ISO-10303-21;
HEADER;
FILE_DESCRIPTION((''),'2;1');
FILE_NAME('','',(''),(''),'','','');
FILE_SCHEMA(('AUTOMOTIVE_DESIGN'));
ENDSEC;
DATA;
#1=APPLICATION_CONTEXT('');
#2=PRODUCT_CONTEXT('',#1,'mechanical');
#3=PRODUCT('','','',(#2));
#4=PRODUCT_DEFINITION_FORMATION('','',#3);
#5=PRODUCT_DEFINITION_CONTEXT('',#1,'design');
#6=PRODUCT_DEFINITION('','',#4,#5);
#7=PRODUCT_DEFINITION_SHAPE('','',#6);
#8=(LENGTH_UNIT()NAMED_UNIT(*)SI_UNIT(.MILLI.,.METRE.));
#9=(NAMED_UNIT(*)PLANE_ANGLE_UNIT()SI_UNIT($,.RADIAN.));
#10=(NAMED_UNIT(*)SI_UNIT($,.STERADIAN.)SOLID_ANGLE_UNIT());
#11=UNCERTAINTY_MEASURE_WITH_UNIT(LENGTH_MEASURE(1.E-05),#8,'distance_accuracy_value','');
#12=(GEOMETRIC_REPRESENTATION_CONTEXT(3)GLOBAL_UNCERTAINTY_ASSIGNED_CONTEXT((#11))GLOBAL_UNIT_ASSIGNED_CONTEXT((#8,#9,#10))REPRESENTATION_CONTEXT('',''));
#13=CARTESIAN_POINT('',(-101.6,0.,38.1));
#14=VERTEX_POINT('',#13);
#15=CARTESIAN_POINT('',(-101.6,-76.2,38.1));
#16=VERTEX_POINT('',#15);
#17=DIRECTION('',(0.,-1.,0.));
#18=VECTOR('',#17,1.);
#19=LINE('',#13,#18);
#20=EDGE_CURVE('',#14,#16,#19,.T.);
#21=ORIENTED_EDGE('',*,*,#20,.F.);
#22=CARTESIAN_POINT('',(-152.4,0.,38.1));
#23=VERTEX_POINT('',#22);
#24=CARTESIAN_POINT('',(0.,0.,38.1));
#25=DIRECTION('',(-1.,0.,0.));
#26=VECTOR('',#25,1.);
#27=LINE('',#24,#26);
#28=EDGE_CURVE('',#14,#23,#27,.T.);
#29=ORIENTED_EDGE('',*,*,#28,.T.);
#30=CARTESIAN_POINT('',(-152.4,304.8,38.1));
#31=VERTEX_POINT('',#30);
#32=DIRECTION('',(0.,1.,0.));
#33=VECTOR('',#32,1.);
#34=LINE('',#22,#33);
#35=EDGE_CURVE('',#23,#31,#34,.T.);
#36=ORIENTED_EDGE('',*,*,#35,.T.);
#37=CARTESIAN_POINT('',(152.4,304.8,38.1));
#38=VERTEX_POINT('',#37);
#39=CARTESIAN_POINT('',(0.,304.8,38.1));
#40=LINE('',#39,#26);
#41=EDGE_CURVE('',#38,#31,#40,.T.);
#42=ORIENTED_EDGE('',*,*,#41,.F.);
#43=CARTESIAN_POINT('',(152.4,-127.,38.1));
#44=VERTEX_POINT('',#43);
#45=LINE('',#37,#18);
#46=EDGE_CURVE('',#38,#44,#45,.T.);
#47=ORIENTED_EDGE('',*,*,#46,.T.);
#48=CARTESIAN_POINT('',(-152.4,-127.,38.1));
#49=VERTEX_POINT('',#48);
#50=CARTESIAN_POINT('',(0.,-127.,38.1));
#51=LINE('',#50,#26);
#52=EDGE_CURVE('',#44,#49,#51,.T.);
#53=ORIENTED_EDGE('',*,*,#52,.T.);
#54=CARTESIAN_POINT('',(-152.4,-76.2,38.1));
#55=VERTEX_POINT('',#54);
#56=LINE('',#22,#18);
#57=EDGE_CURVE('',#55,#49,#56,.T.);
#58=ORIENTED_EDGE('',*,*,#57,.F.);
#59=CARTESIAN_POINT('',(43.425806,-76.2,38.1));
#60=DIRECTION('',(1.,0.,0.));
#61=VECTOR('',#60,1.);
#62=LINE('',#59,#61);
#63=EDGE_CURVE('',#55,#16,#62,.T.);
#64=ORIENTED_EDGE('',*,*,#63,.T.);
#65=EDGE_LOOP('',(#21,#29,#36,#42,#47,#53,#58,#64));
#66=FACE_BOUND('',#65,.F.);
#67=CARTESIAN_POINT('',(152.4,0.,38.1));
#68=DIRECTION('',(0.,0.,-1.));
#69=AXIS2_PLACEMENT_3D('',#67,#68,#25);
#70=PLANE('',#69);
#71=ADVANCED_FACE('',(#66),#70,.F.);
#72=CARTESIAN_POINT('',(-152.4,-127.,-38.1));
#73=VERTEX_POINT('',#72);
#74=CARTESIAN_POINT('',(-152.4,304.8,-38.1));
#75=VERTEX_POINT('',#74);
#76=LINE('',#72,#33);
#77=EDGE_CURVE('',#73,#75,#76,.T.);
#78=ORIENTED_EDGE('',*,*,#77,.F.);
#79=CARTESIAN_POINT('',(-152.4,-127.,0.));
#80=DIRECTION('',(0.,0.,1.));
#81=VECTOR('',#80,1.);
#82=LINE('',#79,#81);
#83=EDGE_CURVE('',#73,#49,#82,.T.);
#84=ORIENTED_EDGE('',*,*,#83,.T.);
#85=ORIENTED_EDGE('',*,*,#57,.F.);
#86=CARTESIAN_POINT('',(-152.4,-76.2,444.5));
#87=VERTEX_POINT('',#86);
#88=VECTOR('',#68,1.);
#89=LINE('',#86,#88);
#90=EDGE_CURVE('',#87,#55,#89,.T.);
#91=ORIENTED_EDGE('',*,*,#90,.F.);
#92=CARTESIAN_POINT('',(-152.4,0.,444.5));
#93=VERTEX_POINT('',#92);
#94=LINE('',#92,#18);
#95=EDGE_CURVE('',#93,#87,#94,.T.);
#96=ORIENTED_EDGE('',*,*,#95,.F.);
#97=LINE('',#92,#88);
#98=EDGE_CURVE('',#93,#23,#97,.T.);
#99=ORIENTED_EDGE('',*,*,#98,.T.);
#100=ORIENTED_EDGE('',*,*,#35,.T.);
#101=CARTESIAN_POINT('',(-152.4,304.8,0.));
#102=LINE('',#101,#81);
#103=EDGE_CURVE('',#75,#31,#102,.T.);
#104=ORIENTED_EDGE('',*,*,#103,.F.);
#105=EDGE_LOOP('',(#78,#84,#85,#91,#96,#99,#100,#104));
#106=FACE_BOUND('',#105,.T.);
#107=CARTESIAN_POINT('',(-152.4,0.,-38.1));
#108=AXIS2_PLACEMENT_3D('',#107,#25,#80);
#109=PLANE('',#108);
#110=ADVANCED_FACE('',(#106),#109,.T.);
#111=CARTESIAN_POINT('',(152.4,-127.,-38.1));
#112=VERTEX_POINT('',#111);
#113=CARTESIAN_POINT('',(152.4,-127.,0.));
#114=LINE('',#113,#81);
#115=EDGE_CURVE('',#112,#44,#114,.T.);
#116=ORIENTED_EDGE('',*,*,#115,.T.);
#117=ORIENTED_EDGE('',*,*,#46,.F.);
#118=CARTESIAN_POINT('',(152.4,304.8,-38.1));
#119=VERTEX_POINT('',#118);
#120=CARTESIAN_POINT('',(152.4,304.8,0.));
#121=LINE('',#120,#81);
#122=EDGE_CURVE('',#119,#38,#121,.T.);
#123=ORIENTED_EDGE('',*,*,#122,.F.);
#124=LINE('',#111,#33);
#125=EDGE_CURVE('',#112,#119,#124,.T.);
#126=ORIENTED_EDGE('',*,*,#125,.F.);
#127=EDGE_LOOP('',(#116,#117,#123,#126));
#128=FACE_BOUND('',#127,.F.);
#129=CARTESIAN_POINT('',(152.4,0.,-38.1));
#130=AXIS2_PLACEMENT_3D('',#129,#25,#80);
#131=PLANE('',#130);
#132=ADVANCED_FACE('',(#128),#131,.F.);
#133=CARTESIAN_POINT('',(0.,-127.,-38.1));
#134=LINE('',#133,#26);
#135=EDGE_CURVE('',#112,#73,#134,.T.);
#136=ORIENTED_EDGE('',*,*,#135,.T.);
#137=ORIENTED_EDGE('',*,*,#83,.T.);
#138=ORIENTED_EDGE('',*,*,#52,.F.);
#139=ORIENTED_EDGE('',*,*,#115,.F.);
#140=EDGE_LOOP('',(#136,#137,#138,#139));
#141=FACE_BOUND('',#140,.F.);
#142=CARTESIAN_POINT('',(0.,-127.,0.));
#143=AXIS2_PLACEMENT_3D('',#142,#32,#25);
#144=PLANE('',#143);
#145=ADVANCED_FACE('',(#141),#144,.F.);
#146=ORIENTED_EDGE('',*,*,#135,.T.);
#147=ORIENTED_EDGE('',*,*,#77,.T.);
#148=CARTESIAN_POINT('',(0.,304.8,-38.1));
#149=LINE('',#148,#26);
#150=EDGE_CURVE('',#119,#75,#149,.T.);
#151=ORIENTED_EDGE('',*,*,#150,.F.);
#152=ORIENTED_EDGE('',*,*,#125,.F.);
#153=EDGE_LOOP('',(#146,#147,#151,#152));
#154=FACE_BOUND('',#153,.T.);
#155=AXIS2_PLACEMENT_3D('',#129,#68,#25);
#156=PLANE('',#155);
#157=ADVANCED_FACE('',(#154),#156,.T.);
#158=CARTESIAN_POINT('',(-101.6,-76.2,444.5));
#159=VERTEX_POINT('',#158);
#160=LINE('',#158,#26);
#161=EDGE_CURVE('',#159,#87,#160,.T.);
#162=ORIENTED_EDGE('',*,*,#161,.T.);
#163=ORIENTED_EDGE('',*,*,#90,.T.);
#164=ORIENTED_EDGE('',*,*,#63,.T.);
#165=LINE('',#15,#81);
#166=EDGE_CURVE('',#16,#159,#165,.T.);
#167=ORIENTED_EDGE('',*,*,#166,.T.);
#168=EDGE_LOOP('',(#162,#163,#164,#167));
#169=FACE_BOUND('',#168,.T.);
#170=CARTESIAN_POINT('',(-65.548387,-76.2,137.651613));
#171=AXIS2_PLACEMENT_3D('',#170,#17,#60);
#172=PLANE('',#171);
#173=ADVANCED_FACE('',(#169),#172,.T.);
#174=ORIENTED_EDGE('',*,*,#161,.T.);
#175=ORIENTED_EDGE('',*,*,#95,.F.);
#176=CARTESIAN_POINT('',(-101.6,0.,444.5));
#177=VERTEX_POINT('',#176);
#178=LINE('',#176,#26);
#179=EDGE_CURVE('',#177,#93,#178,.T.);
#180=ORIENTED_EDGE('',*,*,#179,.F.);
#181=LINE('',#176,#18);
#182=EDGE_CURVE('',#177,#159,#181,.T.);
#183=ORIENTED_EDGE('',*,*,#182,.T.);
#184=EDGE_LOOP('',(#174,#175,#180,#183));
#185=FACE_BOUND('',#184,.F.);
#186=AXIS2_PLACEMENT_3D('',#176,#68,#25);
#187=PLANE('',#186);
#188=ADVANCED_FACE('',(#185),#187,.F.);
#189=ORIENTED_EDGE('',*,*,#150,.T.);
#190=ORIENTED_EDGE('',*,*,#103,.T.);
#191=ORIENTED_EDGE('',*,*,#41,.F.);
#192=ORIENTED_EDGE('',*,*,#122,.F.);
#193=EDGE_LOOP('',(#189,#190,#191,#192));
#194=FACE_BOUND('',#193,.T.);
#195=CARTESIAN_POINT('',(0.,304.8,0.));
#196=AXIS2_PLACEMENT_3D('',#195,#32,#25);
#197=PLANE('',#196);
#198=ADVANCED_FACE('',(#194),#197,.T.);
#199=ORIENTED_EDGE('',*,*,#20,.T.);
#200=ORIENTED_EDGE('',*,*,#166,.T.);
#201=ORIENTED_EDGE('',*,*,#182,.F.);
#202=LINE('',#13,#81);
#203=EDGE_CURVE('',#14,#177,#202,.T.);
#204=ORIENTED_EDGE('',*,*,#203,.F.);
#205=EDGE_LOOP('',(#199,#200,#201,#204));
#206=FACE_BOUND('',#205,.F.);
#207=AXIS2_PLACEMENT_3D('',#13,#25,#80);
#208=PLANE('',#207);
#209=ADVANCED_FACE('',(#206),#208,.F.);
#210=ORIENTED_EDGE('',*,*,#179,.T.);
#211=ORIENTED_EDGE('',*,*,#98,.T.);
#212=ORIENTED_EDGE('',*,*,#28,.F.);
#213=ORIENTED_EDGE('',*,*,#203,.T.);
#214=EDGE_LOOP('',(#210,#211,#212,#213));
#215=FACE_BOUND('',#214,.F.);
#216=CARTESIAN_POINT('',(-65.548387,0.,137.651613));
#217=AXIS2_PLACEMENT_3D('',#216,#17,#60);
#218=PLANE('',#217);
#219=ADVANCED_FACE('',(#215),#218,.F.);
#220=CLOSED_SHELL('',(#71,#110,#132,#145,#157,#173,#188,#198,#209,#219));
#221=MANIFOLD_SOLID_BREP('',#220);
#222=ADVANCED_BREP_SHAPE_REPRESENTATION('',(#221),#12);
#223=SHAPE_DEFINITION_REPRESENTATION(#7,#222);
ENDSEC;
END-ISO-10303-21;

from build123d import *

# Parameters (mm, degrees)
F1_DEPTH      = 76.2
F2_W          = 304.8
F2_H          = 76.2
F3_DEPTH      = 304.8
F3_DEPTH_BACK = 127


with BuildPart() as f1:
    # F0 (on Front) → F1 (new body)
    with BuildSketch(Plane.XZ):
        Polygon((-152.4, 38.1), (-152.4, -38.1), (152.4, -38.1), (152.4, 38.1), (-101.6, 38.1), (-101.6, 444.5), (-152.4, 444.5), align=None)
    extrude(amount=F1_DEPTH)

    # F2 (on face) → F3 (join, two sides)
    with BuildSketch(Plane(origin=(0, 0, 0), x_dir=(-1, 0, 0), z_dir=(0, 1, 0))) as f3_sk:
        Rectangle(F2_W, F2_H)
    extrude(amount=F3_DEPTH)
    extrude(f3_sk.sketch, amount=-F3_DEPTH_BACK)


solid = f1.part
